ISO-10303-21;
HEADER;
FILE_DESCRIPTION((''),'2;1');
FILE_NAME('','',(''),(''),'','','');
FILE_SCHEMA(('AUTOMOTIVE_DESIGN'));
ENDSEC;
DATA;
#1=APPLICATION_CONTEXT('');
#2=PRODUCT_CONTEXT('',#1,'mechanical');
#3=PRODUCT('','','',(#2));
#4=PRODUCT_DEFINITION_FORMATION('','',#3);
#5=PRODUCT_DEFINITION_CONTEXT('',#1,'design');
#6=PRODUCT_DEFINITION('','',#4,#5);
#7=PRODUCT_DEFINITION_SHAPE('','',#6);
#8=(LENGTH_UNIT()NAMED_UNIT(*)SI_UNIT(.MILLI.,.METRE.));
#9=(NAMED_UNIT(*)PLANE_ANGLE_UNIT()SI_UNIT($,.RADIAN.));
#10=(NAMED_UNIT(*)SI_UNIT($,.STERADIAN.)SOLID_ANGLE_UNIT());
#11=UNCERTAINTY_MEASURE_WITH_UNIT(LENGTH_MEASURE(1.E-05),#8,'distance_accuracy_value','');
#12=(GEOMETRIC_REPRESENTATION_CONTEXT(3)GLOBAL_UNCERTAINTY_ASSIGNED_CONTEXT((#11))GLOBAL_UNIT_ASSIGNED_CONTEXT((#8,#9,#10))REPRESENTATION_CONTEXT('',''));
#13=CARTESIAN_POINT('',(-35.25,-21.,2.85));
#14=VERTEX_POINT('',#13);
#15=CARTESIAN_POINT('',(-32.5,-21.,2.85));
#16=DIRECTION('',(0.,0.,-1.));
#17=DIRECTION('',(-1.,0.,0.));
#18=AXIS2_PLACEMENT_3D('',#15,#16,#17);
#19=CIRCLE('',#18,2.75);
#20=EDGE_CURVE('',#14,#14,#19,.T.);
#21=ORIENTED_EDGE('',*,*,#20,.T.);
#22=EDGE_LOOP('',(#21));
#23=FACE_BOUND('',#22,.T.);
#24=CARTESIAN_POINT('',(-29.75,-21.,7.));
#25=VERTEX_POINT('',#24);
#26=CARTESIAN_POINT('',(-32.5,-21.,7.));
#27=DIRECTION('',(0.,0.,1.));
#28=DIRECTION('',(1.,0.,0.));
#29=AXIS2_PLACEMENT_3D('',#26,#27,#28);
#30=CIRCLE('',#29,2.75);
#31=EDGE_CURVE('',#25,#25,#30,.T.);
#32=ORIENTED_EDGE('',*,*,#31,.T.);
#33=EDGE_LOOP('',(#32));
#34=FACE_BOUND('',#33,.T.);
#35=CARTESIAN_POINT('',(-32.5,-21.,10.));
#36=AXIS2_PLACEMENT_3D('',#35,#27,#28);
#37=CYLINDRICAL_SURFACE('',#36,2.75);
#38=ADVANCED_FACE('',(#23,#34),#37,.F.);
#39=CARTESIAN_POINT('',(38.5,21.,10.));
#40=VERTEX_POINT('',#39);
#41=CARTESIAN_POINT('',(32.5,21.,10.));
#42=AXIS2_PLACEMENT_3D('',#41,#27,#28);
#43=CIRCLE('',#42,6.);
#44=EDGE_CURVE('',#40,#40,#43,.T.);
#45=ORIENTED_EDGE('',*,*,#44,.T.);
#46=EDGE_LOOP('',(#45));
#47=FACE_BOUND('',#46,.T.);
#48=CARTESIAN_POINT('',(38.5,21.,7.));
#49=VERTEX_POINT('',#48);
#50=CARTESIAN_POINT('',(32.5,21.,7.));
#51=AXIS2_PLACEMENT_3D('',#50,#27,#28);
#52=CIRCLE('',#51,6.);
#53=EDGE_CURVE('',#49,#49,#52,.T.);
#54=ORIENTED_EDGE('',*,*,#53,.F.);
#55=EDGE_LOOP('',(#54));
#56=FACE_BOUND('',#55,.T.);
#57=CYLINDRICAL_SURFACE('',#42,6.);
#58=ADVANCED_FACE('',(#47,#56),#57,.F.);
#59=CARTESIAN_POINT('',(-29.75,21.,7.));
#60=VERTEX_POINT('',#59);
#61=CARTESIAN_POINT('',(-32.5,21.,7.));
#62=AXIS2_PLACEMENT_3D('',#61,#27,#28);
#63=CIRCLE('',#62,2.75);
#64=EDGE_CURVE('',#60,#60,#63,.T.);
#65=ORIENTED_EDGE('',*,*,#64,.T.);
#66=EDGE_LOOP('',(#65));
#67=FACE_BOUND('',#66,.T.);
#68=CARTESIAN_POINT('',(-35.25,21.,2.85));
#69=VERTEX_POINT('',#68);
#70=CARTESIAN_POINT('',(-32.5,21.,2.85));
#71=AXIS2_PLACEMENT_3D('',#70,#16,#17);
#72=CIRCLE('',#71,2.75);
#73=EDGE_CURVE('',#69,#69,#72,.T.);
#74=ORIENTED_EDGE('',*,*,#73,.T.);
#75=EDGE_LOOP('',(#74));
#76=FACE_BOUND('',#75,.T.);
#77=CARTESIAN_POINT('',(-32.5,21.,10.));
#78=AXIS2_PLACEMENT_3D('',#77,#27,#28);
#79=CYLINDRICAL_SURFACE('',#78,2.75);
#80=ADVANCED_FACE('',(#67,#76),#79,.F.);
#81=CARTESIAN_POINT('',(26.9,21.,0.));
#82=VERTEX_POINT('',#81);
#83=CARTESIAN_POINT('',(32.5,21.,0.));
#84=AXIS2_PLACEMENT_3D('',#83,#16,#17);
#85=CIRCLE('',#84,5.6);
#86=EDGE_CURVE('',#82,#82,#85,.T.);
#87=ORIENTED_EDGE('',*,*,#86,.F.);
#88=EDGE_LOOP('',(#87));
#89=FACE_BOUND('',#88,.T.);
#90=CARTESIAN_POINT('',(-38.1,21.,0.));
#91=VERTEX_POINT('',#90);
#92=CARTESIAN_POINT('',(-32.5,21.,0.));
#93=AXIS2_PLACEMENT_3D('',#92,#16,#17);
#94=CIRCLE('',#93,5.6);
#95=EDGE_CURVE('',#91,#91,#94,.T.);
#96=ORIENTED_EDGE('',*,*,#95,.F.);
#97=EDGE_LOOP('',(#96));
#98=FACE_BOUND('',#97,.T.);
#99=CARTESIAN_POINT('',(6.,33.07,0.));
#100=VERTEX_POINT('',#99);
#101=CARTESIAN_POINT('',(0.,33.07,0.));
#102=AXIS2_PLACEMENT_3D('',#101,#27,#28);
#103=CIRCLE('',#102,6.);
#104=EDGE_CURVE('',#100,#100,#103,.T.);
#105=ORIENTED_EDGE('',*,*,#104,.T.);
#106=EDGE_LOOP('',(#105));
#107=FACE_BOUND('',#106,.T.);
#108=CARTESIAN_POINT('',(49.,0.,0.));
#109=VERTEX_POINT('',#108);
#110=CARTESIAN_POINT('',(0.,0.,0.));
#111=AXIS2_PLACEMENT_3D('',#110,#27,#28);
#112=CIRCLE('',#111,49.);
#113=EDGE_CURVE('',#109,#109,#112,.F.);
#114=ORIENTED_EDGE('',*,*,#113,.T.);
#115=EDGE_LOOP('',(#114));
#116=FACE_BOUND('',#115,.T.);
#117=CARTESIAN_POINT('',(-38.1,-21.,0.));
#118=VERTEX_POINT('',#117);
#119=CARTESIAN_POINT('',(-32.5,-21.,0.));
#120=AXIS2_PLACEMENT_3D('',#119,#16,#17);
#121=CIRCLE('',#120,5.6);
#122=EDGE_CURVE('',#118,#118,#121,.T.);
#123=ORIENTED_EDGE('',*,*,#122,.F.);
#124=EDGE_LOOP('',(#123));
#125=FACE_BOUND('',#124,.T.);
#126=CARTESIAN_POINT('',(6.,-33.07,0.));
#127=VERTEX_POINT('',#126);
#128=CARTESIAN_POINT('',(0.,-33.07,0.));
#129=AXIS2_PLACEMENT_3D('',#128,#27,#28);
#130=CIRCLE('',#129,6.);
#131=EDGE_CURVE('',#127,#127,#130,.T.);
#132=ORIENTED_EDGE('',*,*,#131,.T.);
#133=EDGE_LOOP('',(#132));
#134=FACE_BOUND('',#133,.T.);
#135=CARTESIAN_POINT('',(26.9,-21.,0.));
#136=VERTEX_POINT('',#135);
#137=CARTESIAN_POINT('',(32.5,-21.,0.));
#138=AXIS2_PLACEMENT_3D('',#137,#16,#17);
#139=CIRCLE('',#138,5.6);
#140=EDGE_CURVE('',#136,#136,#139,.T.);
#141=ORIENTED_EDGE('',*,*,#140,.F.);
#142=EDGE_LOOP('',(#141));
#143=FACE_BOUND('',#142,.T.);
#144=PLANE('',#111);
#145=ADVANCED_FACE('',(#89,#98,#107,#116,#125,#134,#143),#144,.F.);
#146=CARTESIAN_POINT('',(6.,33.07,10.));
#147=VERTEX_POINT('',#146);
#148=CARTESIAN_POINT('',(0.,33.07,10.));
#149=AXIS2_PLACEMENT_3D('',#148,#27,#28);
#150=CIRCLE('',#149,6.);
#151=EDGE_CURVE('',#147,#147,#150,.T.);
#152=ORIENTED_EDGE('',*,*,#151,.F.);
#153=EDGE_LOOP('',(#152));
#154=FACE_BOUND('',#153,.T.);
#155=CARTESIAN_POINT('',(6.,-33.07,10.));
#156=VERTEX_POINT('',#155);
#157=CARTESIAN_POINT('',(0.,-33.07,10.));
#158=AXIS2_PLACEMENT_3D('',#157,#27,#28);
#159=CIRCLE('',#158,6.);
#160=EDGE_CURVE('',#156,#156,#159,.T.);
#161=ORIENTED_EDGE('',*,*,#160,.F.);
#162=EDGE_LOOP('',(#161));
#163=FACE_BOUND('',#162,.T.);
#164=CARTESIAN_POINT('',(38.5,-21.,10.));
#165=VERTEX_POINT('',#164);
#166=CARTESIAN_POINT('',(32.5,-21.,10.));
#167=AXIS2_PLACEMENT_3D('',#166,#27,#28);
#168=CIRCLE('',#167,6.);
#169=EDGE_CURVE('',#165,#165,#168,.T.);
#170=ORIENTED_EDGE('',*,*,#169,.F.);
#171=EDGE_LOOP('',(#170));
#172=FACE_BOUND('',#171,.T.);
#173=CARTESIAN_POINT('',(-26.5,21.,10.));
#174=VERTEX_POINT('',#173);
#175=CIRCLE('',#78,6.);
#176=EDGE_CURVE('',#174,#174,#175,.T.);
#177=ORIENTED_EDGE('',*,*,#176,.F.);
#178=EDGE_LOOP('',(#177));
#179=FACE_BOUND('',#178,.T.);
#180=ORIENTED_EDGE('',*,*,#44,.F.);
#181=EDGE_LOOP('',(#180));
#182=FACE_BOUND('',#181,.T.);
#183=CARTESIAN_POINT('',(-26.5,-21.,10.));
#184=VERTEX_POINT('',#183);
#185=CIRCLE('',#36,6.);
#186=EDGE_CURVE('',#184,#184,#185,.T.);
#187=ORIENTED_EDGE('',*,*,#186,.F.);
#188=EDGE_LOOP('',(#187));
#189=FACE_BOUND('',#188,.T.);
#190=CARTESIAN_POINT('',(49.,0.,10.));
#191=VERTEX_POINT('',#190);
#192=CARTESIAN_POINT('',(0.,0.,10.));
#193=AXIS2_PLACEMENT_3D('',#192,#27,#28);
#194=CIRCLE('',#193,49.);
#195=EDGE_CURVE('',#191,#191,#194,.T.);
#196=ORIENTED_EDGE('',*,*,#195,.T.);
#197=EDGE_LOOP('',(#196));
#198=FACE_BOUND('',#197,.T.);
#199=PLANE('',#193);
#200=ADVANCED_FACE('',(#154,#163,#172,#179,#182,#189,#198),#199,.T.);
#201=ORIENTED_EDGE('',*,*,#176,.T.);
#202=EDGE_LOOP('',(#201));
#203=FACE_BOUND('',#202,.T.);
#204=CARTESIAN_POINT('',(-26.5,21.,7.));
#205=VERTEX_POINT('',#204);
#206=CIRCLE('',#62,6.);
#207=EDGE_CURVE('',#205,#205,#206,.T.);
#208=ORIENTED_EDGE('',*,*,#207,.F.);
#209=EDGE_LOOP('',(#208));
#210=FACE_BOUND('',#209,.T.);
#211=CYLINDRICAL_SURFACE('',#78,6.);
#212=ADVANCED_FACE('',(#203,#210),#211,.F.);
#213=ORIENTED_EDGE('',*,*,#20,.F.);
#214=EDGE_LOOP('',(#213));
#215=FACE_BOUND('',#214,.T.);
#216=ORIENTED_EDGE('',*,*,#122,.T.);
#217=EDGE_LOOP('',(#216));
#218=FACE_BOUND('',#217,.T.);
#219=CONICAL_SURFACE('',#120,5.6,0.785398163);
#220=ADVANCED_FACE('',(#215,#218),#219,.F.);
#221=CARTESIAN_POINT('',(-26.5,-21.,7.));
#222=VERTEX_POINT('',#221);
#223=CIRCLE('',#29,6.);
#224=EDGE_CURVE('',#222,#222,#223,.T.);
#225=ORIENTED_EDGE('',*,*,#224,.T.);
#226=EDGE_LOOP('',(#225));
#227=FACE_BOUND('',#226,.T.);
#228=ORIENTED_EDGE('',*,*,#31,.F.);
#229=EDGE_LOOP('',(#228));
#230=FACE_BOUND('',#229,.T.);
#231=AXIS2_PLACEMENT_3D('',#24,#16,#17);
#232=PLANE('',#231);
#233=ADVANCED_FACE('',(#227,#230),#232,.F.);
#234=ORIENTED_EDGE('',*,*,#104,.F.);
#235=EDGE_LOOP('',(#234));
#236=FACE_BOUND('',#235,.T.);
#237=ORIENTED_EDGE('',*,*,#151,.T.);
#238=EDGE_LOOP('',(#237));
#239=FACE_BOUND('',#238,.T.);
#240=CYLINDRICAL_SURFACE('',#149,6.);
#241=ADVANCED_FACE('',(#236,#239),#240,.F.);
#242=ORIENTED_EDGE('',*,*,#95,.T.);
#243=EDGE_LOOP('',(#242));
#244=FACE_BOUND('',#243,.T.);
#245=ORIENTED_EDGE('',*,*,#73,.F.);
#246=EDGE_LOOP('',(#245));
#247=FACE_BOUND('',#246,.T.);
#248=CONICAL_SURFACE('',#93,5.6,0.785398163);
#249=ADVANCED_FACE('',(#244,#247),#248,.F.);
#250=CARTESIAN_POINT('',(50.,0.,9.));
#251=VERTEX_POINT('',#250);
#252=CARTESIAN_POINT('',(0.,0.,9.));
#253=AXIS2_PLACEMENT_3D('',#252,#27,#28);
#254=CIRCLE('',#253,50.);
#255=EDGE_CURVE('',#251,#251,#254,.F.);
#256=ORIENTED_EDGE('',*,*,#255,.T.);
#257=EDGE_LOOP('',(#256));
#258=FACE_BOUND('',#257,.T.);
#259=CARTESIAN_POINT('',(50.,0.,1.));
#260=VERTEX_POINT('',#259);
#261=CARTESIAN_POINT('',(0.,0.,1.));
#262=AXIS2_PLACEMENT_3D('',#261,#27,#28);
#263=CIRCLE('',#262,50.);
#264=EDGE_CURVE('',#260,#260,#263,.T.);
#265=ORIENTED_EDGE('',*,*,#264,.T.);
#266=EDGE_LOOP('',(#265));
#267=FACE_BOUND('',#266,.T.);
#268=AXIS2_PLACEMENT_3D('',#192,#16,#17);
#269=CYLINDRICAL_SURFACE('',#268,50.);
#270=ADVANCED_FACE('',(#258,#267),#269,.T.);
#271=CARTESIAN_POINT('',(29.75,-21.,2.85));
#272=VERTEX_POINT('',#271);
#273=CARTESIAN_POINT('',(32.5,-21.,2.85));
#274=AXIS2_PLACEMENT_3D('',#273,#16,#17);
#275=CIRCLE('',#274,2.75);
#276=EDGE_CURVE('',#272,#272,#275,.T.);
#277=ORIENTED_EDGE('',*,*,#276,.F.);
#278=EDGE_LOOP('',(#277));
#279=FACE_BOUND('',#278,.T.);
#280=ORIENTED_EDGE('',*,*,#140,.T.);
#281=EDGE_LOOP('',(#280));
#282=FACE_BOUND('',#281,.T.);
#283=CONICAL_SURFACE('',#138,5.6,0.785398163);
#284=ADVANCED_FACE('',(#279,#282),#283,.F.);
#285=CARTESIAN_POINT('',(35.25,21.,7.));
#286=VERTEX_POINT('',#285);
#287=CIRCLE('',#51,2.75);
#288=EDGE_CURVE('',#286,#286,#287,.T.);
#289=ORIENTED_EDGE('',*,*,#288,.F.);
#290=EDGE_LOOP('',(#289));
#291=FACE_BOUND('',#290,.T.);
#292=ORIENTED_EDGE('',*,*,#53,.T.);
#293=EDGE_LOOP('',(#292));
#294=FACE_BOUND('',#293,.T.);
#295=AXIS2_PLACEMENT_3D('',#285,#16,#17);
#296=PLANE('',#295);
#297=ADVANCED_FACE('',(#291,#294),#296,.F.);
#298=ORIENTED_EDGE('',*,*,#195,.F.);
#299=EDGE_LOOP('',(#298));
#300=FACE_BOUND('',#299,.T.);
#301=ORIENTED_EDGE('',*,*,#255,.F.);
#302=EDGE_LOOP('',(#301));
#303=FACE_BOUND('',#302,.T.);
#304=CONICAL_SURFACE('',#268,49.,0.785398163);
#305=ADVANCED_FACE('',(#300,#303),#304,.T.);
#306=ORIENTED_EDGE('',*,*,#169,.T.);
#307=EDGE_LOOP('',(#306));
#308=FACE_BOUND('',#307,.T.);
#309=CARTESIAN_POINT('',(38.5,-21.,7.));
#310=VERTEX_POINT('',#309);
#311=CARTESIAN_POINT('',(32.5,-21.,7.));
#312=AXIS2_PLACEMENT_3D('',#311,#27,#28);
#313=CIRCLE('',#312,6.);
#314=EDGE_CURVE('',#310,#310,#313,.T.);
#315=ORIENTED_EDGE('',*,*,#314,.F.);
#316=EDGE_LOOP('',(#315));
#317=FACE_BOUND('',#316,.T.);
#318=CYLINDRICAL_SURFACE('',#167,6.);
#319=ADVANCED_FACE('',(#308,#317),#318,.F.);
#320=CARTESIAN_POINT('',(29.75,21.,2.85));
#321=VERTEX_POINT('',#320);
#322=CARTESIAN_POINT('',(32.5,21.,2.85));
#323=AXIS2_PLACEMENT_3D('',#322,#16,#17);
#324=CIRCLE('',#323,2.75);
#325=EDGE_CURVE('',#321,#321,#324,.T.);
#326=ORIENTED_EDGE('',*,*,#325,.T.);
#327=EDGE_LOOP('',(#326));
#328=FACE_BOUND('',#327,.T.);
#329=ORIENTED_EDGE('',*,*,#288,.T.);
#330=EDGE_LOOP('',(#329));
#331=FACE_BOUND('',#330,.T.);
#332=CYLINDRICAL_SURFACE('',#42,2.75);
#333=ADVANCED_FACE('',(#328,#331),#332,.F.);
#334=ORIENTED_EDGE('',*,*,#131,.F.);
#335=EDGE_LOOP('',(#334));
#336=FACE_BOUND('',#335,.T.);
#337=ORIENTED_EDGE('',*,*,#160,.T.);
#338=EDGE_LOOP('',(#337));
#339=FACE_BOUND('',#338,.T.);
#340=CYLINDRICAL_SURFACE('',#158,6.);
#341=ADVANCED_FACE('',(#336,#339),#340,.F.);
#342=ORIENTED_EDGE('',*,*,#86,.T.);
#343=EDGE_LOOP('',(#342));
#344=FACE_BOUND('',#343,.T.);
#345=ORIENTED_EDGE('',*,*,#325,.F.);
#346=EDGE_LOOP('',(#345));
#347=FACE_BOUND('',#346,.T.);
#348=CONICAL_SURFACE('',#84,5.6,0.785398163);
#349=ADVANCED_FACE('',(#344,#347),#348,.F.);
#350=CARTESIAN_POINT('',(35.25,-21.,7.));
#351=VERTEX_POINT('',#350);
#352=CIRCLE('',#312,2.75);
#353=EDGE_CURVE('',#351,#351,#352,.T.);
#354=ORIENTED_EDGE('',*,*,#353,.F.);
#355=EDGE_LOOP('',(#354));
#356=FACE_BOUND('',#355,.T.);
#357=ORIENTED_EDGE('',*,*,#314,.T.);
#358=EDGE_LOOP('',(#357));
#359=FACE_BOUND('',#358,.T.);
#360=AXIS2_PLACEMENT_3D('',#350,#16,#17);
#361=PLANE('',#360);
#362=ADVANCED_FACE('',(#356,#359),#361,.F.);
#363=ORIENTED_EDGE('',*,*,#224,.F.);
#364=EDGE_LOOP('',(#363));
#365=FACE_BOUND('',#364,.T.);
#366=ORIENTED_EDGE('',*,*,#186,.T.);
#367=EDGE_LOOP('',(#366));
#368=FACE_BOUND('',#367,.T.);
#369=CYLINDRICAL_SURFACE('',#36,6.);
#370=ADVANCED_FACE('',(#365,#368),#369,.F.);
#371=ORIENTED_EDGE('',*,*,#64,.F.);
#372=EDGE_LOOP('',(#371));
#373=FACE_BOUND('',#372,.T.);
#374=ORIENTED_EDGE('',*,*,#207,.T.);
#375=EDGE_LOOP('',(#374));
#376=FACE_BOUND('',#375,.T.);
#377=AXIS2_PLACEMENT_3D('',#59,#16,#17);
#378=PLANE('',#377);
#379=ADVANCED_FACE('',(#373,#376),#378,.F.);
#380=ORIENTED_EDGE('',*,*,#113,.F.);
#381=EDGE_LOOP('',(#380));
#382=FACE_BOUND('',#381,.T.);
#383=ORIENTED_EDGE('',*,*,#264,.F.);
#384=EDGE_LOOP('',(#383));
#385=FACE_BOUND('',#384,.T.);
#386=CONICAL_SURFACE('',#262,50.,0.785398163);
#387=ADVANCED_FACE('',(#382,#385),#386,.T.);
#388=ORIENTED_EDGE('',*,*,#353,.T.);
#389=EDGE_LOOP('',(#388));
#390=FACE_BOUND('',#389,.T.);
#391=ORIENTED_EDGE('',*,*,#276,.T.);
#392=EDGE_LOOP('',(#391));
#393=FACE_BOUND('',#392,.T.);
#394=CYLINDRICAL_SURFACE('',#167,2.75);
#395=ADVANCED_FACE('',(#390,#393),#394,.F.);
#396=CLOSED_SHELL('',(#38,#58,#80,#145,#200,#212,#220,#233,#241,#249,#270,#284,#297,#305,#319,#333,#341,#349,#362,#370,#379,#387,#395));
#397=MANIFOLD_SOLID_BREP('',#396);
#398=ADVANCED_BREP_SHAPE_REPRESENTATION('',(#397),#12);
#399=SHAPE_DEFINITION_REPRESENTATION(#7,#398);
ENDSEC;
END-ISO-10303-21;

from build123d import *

# Parameters (mm, degrees)
SKETCH1_R                                            = 50
BOSS_EXTRUDE1_DEPTH                                  = 10
CBORE_FOR_M6_HEX_SOCKET_HEAD_CAP_SCREW1_D            = 5.5
CBORE_FOR_M6_HEX_SOCKET_HEAD_CAP_SCREW1_CBORE_D      = 12
CBORE_FOR_M6_HEX_SOCKET_HEAD_CAP_SCREW1_CBORE_DEPTH  = 3
F_12_0_12_DIAMETER_HOLE1_D                           = 12
CSK_FOR_M3_HEX_SOCKET_COUNTERSUNK_CAP_SC_D           = 5.5
CSK_FOR_M3_HEX_SOCKET_COUNTERSUNK_CAP_SC_CSINK_D     = 11.2
CSK_FOR_M3_HEX_SOCKET_COUNTERSUNK_CAP_SC_CSINK_ANGLE = 90
CHAMFER1_SIZE                                        = 1


with BuildPart() as part:
    # Sketch1 → Boss-Extrude1 (new body)
    with BuildSketch(Plane.XY):
        Circle(SKETCH1_R)
    extrude(amount=BOSS_EXTRUDE1_DEPTH)

    # CBORE for M6 Hex Socket Head Cap Screw1 (through all)
    with Locations(Plane.XY.offset(10)):
        with Locations((-32.5, 21), (32.5, 21), (32.5, -21), (-32.5, -21)):
            CounterBoreHole(CBORE_FOR_M6_HEX_SOCKET_HEAD_CAP_SCREW1_D / 2, CBORE_FOR_M6_HEX_SOCKET_HEAD_CAP_SCREW1_CBORE_D / 2, CBORE_FOR_M6_HEX_SOCKET_HEAD_CAP_SCREW1_CBORE_DEPTH)

    # Ø12.0 (12) Diameter Hole1 (through all)
    with Locations(Plane.XY.offset(10)):
        with Locations((0, 33.07), (0, -33.07)):
            Hole(F_12_0_12_DIAMETER_HOLE1_D / 2)

    # CSK for M3 Hex Socket Countersunk Cap Screw1 (through all)
    with Locations(Plane(origin=(0, 0, 0), x_dir=(-1, 0, 0), z_dir=(0, 0, -1))):
        with Locations((-32.5, 21), (-32.5, -21), (32.5, -21), (32.5, 21)):
            CounterSinkHole(CSK_FOR_M3_HEX_SOCKET_COUNTERSUNK_CAP_SC_D / 2, CSK_FOR_M3_HEX_SOCKET_COUNTERSUNK_CAP_SC_CSINK_D / 2, counter_sink_angle=CSK_FOR_M3_HEX_SOCKET_COUNTERSUNK_CAP_SC_CSINK_ANGLE)

    # Chamfer1
    chamfer1_edges = [part.edges().sort_by_distance(p)[0] for p in [
        (-50, 0, 0),
        (-50, 0, 10),
    ]]
    chamfer(chamfer1_edges, length=CHAMFER1_SIZE)


solid = part.part
